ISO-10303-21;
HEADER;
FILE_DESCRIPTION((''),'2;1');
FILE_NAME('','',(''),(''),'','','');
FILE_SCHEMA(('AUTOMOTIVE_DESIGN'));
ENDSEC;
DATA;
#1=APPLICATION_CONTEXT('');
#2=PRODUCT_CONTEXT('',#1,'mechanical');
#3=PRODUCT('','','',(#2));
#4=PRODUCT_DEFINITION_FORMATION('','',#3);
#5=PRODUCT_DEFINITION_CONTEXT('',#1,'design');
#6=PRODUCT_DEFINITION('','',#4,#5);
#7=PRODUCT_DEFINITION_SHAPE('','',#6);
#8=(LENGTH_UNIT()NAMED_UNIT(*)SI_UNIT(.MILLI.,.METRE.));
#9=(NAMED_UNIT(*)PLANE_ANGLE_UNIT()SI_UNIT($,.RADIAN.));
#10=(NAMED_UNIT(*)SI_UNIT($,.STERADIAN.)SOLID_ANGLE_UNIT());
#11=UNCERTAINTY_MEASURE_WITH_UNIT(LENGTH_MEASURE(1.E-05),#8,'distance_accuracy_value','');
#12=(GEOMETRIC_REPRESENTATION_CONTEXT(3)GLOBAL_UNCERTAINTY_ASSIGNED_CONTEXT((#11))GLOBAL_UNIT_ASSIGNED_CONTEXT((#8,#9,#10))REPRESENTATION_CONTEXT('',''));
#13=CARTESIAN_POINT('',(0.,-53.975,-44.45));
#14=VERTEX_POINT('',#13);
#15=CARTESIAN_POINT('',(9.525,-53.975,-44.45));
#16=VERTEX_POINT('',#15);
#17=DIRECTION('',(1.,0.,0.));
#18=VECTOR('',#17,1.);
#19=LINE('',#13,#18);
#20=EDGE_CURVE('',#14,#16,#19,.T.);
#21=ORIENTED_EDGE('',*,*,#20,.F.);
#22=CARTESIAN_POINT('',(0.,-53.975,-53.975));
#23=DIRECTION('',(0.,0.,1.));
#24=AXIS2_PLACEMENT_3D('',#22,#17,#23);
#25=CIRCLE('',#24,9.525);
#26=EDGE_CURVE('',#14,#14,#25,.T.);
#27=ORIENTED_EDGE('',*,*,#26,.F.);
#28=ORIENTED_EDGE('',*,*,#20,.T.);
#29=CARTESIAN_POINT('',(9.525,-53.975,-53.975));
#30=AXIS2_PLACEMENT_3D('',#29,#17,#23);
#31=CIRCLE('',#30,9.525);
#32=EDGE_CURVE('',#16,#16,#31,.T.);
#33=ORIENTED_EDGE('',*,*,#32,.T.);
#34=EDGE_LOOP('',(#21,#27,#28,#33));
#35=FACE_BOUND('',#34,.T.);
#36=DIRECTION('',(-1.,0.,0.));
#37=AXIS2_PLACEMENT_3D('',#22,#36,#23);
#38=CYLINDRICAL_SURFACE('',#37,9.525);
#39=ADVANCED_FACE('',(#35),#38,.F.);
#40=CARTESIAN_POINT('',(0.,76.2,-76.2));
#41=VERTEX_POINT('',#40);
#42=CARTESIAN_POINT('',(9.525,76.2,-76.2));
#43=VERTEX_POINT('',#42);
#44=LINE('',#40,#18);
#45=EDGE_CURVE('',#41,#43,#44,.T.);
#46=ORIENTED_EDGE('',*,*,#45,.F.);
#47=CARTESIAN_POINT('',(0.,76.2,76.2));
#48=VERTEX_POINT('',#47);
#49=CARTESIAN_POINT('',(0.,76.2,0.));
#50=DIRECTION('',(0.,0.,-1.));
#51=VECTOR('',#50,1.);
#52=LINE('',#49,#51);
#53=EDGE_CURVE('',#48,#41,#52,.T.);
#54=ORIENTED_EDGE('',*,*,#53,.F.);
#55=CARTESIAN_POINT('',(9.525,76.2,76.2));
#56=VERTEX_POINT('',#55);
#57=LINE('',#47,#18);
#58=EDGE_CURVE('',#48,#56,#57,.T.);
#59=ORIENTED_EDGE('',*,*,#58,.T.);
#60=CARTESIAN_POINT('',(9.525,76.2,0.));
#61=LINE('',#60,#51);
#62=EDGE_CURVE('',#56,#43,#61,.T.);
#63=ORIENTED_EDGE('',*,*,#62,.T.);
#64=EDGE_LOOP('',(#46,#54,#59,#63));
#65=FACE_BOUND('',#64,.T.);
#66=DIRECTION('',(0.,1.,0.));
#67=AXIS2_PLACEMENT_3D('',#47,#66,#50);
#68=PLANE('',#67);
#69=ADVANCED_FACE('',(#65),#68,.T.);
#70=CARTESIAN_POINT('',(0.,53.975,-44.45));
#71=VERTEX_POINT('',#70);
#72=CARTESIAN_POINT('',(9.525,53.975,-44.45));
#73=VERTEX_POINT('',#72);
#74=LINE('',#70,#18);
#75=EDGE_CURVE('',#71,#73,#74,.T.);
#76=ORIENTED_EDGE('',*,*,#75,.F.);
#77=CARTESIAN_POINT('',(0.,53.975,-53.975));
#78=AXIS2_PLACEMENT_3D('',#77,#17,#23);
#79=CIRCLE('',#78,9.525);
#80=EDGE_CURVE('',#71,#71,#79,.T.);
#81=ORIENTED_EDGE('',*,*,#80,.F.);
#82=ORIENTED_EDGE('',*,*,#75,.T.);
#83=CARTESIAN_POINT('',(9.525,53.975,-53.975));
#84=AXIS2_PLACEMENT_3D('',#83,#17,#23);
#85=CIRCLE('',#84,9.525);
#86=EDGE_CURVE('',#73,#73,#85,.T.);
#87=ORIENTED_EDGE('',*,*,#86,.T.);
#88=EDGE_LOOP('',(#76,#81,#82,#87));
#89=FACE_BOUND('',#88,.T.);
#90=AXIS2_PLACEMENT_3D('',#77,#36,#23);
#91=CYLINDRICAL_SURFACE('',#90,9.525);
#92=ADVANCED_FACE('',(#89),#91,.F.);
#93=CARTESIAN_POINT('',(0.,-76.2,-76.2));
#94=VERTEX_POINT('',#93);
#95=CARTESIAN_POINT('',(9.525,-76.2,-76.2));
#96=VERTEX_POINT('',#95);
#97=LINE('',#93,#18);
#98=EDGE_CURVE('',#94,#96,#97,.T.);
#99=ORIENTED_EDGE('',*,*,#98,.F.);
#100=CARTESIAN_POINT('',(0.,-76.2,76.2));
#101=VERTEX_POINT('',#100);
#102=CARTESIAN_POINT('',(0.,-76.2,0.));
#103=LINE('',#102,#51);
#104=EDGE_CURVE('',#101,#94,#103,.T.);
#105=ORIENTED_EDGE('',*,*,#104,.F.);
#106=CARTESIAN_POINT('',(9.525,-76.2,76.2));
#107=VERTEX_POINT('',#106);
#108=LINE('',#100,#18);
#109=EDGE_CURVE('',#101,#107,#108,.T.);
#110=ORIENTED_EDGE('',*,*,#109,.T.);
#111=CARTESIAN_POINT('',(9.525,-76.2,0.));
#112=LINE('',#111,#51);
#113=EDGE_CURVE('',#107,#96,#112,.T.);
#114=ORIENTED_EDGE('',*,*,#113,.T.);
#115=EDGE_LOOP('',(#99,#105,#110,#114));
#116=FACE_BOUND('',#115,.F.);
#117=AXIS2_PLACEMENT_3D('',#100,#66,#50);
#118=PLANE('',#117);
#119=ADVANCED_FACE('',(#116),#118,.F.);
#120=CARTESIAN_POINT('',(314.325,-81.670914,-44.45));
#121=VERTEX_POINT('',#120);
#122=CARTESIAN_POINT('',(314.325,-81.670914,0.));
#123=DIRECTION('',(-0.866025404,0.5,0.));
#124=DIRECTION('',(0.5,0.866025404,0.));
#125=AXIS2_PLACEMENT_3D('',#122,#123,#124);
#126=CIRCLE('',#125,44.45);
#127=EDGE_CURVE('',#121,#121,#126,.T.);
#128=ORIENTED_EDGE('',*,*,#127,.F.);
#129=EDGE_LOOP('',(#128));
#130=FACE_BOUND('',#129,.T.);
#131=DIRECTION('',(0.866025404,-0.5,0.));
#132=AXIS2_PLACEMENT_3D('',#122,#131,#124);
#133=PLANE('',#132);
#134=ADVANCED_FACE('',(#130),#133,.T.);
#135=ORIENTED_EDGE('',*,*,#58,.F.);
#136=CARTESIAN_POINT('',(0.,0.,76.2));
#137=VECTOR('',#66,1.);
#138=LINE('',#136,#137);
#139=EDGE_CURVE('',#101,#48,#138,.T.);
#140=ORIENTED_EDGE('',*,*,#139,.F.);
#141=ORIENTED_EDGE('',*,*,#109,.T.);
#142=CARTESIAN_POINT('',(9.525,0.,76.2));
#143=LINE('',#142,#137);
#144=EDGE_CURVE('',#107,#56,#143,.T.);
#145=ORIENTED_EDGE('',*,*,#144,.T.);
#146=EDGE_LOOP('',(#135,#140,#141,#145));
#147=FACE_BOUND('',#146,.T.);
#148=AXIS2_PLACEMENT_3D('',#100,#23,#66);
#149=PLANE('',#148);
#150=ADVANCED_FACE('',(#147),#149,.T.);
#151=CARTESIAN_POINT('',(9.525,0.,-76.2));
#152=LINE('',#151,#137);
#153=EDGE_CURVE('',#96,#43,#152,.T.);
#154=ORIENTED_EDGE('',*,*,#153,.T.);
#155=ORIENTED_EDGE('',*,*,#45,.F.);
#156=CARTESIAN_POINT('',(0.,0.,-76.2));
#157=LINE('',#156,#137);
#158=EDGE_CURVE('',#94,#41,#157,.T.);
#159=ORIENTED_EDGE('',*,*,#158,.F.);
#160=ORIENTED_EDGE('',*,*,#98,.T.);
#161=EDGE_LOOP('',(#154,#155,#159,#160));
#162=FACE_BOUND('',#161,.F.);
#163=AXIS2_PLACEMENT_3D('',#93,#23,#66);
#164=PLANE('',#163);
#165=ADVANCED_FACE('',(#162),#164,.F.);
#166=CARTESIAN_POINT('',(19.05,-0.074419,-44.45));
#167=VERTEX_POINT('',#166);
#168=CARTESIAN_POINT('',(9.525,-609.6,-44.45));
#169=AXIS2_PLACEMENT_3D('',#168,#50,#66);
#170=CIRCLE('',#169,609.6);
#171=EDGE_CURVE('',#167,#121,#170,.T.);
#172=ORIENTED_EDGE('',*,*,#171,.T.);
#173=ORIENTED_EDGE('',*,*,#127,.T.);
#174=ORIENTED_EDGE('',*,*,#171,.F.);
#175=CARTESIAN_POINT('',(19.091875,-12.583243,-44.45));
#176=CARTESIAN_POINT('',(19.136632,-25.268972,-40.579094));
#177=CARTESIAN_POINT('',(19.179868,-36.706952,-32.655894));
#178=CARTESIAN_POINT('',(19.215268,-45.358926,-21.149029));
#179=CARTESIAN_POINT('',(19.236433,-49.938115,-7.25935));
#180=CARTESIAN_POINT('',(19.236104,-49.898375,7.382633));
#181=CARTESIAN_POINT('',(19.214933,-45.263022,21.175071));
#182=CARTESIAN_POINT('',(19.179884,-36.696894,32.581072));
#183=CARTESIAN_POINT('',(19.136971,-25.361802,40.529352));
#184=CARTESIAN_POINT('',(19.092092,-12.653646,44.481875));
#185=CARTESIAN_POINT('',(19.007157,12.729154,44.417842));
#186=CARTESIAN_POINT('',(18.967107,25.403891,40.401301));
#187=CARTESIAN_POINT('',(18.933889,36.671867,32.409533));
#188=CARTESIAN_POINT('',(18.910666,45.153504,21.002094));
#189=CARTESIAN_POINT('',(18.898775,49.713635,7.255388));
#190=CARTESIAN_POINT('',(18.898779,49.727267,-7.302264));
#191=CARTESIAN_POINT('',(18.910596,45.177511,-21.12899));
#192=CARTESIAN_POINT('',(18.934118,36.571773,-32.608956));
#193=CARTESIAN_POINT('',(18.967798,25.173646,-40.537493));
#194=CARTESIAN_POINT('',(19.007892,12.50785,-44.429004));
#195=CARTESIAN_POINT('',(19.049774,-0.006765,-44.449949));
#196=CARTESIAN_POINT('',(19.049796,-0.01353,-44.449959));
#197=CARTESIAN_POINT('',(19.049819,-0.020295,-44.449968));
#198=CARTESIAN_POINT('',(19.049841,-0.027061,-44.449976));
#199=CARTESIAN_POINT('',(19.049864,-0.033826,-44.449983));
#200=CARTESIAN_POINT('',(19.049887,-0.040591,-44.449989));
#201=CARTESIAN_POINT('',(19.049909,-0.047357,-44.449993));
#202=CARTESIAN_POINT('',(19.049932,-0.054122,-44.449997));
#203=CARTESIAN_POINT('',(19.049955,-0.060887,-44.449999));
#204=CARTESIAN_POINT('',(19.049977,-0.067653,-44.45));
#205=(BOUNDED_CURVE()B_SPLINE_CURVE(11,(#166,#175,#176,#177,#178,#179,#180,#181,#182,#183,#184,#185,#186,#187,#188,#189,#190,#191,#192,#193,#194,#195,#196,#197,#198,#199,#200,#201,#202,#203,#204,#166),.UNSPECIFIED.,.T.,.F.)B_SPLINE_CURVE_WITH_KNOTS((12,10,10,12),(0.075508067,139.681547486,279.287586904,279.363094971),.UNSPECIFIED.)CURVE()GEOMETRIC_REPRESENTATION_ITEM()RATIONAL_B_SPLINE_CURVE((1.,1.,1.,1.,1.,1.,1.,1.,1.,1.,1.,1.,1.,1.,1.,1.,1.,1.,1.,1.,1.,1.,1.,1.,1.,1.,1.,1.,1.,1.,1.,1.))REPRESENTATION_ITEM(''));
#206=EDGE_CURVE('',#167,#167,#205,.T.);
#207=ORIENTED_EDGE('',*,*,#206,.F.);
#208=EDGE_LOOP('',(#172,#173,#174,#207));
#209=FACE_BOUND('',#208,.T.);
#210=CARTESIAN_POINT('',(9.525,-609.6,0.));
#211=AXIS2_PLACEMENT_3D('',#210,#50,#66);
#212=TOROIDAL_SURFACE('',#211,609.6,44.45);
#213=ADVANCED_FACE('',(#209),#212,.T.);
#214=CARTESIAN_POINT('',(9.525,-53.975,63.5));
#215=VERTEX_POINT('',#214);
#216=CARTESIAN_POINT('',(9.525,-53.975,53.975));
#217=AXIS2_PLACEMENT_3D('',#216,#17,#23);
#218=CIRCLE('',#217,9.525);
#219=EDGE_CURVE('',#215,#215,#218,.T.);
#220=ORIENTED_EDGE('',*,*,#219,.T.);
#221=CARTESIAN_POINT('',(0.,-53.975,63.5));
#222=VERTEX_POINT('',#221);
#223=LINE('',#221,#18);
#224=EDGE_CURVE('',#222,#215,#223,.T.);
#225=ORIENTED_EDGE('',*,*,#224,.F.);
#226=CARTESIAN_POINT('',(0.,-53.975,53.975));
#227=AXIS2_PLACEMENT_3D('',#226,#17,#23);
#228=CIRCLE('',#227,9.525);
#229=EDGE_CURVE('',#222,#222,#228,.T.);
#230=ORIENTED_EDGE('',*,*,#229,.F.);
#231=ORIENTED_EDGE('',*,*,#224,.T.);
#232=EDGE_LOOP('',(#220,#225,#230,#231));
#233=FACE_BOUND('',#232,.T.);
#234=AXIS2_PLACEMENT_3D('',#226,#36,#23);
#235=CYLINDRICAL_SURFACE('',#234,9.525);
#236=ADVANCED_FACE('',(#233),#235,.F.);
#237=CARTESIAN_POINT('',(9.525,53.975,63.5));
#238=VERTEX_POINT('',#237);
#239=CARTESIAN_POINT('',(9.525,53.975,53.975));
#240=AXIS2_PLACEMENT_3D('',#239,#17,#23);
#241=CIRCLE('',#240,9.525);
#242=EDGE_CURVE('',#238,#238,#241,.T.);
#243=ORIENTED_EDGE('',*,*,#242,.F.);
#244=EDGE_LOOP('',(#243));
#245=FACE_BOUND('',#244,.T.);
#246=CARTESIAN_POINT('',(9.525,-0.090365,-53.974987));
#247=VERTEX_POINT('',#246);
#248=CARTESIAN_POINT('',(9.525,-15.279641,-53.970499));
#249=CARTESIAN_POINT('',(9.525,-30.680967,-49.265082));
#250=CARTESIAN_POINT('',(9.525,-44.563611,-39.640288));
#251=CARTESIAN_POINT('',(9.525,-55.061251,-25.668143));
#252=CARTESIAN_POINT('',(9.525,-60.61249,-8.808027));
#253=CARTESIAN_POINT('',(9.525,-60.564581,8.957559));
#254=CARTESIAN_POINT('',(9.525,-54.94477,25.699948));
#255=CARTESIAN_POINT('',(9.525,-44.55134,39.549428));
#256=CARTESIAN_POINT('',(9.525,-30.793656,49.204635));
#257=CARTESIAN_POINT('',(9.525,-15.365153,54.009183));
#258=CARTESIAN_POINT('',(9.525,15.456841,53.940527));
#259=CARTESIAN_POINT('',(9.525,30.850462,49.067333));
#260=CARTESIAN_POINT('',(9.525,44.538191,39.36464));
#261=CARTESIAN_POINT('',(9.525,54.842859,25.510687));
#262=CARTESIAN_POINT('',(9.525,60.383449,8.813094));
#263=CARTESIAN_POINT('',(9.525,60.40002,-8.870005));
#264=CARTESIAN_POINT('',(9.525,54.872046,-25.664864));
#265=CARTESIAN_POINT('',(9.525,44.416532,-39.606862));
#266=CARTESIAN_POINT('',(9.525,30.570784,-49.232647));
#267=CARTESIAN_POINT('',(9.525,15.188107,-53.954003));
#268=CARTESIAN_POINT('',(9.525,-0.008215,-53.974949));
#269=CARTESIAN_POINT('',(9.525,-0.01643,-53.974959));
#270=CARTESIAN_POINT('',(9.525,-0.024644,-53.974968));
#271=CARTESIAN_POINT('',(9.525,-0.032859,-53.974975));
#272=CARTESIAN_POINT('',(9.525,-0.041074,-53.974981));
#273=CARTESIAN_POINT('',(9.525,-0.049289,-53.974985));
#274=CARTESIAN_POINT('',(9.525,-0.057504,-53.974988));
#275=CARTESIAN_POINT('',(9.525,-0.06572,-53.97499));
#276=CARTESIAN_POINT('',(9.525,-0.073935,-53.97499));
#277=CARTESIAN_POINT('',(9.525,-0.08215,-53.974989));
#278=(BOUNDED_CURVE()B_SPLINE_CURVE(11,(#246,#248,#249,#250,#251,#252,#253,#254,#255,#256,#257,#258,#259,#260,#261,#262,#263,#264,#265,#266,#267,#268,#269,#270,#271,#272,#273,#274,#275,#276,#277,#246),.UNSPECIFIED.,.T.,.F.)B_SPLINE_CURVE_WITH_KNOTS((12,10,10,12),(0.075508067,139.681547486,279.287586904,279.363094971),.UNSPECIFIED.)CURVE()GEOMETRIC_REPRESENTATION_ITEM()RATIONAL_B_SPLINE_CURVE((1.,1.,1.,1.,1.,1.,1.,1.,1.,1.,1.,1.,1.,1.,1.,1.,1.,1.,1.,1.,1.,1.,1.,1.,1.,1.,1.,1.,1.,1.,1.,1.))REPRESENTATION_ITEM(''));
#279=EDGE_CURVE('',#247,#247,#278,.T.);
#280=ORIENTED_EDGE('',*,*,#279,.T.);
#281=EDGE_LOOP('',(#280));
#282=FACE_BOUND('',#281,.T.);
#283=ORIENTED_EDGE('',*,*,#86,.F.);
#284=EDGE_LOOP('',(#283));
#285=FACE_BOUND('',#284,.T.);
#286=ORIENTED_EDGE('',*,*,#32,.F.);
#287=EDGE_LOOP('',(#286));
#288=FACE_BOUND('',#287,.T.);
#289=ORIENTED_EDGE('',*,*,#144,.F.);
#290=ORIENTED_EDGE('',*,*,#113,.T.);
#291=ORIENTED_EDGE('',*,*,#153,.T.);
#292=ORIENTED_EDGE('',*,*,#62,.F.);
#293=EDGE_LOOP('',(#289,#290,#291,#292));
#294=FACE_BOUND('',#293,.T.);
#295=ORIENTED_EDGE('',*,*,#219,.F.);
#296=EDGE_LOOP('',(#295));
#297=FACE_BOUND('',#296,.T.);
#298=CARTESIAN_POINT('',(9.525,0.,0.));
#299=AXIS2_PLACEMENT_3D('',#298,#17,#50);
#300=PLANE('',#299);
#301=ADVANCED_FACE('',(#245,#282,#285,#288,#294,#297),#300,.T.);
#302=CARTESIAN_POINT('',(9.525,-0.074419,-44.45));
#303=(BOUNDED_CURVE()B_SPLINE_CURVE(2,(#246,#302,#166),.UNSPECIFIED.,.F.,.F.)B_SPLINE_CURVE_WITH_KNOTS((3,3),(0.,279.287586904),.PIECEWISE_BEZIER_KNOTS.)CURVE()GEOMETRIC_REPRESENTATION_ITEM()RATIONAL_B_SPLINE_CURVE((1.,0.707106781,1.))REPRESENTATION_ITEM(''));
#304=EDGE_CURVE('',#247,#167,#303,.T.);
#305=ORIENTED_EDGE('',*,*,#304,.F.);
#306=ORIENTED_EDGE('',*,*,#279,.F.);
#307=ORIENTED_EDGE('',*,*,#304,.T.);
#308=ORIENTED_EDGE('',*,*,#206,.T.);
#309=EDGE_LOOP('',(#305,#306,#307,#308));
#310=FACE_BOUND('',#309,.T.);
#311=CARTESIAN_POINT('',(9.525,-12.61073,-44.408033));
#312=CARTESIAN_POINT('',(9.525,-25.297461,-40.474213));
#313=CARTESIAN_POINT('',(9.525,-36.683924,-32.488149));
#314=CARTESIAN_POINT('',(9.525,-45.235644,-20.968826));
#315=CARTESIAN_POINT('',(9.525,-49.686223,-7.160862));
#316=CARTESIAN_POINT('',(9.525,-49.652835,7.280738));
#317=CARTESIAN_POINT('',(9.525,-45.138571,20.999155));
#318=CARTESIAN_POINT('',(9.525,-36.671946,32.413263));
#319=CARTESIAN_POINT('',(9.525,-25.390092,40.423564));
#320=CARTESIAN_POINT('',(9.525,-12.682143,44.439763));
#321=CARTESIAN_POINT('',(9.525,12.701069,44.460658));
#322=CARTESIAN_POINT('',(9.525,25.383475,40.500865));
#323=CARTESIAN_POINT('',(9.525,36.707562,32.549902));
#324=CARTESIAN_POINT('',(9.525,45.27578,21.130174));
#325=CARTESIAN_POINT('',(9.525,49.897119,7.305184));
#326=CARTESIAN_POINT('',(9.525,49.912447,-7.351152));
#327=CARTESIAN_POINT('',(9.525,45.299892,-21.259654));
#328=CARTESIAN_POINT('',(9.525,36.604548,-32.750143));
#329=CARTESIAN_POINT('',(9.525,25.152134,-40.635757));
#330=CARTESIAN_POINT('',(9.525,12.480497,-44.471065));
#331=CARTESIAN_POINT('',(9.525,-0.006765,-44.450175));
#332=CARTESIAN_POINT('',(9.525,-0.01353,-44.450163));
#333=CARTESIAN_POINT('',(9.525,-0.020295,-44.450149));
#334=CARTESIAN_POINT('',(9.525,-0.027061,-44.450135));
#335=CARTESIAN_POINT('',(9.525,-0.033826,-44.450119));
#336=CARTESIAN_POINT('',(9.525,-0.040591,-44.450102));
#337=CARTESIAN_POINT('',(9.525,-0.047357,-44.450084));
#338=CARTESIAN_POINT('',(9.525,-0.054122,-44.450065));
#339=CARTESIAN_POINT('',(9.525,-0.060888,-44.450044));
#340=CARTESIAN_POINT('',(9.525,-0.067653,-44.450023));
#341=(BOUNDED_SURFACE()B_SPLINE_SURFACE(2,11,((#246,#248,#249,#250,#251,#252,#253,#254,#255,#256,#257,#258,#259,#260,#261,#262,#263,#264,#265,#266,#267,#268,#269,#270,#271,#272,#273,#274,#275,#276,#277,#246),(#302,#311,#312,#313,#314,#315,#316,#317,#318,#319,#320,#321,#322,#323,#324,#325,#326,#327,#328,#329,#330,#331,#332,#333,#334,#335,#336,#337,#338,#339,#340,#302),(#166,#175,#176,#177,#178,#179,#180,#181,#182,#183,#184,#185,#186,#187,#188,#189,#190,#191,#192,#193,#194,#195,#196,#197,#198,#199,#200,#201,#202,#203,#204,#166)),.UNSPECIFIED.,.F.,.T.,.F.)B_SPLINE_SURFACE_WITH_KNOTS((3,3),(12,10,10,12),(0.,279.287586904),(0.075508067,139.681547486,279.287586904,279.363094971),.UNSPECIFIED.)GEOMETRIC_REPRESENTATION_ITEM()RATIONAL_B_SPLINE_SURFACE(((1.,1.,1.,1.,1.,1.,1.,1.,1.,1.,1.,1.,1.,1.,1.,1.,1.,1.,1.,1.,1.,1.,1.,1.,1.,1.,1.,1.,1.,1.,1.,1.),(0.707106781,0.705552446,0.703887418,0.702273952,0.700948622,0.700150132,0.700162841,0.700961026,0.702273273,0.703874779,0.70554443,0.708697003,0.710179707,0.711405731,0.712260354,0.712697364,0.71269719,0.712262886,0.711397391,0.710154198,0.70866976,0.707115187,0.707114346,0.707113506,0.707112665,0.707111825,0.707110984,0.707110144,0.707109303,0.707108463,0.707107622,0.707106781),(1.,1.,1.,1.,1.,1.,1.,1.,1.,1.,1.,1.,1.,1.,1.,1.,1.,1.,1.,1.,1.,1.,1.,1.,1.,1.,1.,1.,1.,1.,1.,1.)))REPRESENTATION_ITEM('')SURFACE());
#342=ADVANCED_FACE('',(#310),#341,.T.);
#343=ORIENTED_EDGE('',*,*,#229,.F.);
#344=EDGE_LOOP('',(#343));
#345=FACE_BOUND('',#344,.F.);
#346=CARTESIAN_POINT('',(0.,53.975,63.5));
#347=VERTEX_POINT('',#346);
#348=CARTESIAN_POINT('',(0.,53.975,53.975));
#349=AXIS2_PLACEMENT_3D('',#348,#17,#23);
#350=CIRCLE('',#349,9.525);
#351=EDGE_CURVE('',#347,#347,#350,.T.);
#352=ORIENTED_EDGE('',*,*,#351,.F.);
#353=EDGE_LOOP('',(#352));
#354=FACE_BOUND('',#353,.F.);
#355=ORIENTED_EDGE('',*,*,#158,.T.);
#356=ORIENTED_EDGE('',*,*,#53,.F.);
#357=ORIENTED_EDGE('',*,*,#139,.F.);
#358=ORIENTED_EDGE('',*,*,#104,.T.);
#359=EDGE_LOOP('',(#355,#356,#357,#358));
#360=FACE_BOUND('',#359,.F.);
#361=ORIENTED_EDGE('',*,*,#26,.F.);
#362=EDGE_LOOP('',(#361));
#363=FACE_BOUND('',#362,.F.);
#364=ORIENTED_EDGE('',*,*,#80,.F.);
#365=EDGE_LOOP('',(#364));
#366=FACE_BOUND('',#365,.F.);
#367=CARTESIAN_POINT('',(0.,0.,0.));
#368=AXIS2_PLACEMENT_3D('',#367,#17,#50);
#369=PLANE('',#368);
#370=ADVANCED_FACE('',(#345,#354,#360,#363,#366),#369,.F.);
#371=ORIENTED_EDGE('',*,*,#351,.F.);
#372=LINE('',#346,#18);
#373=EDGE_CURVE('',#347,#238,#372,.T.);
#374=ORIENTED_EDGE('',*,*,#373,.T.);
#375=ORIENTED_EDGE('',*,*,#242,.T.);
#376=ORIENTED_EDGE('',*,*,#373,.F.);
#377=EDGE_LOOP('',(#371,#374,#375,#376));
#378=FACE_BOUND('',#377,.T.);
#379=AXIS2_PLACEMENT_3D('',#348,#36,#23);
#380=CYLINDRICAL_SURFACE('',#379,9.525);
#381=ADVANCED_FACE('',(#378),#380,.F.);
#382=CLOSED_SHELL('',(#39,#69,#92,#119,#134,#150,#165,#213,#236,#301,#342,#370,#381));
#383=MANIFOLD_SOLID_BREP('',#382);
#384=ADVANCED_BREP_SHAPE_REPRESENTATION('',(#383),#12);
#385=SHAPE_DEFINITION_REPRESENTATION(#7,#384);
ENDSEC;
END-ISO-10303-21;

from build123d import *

# Parameters (mm, degrees)
SKETCH1_W      = 152.4
SKETCH1_H      = 152.4
SKETCH1_R      = 9.525
EXTRUDE1_DEPTH = 9.525
SKETCH3_R      = 44.45
FILLET1_R      = 9.525


with BuildPart() as part:
    # Sketch1 → Extrude1 (new body)
    with BuildSketch(Plane(origin=(0, 0, 0), x_dir=(0, 0, -1), z_dir=(1, 0, 0))):
        Rectangle(SKETCH1_W, SKETCH1_H)
        with Locations(Location((-53.975, 53.975, 0), (0, 0, 180))):
            Circle(SKETCH1_R, mode=Mode.SUBTRACT)
        with Locations(Location((-53.975, -53.975, 0), (0, 0, 180))):
            Circle(SKETCH1_R, mode=Mode.SUBTRACT)
        with Locations(Location((53.975, -53.975, 0), (0, 0, 180))):
            Circle(SKETCH1_R, mode=Mode.SUBTRACT)
        with Locations(Location((53.975, 53.975, 0), (0, 0, 180))):
            Circle(SKETCH1_R, mode=Mode.SUBTRACT)
    extrude(amount=EXTRUDE1_DEPTH)

    # Sweep1: sweep along a path in Sketch2
    with BuildLine(Plane.XY) as sweep1_path:
        ThreePointArc((9.525, 0), (167.301089894, -20.771616294), (314.325, -81.670913853))
    # Sketch3 → Sweep1 (sweep)
    with BuildSketch(Plane(origin=(9.525, 0, 0), x_dir=(0, 0, -1), z_dir=(1, 0, 0))):
        Circle(SKETCH3_R)
    sweep(path=sweep1_path.line)

    # Fillet1
    fillet1_edges = [part.edges().sort_by_distance(p)[0] for p in [
        (9.525, 0, 44.45),
    ]]
    fillet(fillet1_edges, radius=FILLET1_R)


solid = part.part
